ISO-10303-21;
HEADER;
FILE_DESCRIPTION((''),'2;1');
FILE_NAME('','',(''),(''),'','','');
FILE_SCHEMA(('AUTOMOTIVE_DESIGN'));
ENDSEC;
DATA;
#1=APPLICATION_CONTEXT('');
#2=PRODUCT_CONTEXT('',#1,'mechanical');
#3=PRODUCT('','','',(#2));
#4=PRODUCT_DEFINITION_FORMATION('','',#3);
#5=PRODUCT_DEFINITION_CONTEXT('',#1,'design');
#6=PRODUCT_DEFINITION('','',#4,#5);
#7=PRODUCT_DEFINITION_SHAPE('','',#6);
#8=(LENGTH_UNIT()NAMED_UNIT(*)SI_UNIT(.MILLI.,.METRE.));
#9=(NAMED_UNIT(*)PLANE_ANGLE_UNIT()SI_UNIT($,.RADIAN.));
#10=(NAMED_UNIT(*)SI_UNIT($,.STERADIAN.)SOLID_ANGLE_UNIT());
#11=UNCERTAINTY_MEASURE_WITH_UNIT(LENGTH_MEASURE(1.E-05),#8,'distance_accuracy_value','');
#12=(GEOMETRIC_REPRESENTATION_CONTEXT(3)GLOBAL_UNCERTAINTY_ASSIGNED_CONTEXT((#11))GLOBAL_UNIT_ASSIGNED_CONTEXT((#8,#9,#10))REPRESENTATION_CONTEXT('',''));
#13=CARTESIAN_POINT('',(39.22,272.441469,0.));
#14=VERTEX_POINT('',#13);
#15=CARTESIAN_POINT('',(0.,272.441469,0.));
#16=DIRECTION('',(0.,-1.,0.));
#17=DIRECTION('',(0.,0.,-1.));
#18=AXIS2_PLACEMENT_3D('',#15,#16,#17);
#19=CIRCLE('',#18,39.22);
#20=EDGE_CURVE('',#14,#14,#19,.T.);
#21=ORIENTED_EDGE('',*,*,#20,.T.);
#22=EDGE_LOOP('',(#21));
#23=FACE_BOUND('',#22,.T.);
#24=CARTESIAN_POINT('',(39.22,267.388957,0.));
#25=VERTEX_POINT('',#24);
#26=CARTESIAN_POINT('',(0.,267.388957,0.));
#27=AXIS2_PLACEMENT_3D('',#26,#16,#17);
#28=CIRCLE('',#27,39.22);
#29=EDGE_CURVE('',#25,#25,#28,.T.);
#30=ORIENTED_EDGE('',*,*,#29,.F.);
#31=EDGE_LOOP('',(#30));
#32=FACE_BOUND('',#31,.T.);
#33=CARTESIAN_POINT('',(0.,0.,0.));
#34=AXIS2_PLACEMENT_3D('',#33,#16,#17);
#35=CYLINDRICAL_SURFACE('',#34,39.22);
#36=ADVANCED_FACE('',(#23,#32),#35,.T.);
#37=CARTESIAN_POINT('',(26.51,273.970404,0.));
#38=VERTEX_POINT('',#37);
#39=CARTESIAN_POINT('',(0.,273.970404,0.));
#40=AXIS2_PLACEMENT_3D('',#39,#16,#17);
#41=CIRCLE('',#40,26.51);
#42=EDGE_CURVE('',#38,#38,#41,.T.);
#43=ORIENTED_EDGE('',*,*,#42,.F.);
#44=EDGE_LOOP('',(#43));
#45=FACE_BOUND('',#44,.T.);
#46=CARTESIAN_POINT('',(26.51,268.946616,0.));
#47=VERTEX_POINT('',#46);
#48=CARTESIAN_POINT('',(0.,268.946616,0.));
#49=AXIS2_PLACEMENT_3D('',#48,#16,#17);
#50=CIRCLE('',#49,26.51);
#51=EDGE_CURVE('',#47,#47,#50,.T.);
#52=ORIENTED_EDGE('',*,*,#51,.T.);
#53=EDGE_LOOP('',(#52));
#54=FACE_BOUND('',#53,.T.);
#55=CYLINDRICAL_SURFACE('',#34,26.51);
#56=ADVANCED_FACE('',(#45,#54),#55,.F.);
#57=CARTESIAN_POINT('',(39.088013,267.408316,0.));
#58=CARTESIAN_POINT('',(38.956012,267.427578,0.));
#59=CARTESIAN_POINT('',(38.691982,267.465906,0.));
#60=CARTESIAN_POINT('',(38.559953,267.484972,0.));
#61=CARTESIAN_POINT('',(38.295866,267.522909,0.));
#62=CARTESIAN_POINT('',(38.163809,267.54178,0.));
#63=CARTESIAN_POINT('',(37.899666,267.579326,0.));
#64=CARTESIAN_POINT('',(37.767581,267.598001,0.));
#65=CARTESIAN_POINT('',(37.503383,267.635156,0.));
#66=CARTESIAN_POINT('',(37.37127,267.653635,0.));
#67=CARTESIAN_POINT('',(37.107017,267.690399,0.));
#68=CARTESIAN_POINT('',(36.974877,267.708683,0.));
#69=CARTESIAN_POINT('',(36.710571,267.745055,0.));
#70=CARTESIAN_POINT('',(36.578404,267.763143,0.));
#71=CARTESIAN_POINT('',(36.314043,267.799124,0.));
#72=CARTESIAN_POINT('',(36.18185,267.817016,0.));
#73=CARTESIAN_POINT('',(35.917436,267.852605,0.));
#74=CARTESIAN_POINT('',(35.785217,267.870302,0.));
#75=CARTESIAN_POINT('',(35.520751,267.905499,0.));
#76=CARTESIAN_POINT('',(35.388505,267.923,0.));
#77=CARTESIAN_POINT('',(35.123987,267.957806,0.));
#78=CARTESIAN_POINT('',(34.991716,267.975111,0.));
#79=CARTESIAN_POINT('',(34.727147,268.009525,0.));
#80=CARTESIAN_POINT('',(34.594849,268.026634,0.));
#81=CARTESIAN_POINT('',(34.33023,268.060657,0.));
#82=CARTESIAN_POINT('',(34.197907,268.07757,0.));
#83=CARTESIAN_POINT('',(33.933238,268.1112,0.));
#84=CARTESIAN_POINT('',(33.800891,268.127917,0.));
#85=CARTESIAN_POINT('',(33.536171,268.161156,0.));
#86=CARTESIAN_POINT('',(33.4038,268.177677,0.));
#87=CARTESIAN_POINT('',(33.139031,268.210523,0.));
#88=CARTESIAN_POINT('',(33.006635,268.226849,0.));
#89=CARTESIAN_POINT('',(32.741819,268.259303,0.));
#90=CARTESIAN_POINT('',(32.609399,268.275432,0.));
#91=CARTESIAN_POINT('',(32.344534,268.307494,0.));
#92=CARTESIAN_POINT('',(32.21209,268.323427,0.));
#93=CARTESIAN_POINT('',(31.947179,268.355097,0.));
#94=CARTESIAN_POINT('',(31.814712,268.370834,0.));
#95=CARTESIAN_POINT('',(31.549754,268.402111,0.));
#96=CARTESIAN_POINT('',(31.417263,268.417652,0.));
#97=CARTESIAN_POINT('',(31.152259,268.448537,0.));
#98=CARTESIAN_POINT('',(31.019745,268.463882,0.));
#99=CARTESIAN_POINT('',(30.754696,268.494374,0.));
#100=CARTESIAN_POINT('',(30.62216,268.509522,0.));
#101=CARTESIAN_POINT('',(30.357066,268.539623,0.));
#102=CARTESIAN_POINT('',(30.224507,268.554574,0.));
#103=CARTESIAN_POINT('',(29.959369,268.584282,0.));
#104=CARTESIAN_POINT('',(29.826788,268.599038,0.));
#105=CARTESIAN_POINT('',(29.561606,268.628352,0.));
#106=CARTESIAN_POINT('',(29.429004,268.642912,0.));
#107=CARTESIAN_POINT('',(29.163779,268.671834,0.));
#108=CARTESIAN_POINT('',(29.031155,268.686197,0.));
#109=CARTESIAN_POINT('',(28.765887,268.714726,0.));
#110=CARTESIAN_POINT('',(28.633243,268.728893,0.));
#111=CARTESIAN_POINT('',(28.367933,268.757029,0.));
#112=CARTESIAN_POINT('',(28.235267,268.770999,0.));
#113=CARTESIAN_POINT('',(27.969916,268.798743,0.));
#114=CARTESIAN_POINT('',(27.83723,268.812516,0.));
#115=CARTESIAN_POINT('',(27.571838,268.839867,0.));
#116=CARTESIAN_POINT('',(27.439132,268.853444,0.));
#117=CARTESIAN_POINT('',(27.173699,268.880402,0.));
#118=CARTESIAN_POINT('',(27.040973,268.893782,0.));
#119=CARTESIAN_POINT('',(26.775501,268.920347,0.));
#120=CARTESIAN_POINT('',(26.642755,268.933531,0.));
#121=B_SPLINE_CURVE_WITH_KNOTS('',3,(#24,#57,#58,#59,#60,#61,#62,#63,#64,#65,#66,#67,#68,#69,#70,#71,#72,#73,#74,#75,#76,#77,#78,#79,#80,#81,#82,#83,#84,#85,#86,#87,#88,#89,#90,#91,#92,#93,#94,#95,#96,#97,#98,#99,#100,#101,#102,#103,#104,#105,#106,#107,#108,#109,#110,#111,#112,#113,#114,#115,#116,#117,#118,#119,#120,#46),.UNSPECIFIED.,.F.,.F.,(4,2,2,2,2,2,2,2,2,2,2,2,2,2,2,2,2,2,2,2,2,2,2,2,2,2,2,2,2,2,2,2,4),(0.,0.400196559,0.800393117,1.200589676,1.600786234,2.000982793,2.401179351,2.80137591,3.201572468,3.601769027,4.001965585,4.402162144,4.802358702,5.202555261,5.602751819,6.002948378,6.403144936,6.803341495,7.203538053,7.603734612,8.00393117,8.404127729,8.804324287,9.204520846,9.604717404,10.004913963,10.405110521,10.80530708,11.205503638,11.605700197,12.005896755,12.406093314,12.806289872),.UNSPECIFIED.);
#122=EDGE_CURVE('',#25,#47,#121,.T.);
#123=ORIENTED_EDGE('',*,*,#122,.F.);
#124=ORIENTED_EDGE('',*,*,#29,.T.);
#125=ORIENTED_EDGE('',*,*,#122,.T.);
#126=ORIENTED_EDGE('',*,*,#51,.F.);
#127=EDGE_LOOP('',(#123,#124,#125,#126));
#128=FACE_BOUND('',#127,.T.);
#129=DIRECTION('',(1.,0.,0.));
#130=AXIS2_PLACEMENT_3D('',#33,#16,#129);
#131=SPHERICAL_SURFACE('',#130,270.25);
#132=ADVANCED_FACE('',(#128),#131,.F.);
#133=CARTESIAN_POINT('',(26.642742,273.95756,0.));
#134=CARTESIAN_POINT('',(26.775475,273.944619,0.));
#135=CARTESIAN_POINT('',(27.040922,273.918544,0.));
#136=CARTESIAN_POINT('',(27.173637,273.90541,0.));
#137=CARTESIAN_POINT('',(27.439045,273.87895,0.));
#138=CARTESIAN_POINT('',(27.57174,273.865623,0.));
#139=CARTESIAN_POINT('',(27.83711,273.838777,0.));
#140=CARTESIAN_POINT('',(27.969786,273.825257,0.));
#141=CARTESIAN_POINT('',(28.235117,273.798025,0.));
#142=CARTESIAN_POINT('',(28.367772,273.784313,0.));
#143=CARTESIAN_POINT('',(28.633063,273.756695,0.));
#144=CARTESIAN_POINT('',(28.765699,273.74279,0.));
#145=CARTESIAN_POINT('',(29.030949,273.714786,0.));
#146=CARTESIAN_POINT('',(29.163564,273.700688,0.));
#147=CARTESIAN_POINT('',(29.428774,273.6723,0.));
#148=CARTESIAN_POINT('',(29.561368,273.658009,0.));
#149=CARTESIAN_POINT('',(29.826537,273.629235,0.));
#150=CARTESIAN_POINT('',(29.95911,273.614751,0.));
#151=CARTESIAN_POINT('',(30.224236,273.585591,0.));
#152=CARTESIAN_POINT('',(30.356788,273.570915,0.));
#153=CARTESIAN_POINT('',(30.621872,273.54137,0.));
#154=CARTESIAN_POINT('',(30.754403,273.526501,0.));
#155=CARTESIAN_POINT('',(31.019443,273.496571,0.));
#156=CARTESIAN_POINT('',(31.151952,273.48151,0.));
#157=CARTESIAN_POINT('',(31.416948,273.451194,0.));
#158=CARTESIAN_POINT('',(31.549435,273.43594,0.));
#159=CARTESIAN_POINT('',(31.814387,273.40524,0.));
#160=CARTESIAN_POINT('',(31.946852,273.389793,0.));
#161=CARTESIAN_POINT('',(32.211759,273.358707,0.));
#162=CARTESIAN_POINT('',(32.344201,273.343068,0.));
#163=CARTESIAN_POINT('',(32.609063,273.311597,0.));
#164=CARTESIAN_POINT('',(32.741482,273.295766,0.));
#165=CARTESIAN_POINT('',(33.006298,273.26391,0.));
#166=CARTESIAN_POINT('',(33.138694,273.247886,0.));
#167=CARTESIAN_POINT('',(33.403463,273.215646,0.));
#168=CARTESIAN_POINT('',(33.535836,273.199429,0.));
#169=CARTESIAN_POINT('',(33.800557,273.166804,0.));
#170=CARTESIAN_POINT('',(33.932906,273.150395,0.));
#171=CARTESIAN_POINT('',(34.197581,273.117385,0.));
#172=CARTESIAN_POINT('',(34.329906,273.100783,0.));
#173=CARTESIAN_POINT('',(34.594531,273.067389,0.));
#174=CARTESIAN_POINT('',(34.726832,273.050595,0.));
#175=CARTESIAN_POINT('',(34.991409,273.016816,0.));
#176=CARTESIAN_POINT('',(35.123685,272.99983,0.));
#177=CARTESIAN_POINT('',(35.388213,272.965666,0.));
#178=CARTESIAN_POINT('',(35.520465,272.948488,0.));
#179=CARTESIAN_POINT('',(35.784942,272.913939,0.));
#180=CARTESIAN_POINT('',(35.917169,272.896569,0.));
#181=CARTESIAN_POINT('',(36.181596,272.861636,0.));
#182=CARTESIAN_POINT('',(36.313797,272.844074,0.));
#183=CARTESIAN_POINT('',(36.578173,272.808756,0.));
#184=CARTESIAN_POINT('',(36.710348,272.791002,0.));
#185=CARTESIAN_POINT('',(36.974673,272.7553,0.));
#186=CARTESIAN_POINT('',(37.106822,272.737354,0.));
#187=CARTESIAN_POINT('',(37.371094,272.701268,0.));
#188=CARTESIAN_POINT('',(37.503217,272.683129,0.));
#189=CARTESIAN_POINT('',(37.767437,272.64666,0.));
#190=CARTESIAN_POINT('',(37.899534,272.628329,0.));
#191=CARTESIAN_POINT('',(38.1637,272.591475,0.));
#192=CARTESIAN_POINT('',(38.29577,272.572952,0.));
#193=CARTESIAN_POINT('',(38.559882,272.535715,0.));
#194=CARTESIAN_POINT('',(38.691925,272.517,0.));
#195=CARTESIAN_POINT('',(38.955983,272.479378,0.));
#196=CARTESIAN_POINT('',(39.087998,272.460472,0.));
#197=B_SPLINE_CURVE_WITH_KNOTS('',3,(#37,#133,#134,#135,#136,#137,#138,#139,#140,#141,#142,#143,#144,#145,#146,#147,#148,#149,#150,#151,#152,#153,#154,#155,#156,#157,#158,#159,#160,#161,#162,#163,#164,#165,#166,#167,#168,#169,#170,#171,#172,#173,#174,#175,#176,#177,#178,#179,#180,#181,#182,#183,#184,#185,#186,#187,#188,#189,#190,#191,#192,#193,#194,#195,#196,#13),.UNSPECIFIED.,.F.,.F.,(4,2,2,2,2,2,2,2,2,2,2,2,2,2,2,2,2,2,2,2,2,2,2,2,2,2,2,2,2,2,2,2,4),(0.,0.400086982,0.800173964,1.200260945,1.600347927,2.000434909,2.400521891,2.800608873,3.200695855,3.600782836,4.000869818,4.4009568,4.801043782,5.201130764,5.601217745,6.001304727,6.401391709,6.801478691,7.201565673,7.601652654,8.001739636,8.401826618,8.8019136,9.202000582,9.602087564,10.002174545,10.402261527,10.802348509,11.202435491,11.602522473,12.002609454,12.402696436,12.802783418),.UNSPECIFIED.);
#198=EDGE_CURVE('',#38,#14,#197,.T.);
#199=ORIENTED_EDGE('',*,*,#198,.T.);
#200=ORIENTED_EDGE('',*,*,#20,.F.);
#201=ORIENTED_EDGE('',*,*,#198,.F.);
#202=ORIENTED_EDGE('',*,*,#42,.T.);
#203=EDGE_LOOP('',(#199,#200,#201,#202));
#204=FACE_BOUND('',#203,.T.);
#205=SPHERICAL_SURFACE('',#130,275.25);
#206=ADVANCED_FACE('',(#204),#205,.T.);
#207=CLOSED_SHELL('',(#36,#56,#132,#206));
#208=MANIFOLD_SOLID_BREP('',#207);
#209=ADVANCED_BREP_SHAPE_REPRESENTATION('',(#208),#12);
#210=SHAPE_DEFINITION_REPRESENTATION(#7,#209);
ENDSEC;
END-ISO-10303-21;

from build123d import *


with BuildPart() as part:
    # Sketch1 → Revolve1 (revolve)
    with BuildSketch(Plane.XY):
        with BuildLine():
            Line((26.51, 273.970404241), (26.51, 268.946616264))
            ThreePointArc((26.51, 268.946616264), (32.874227001, 268.243075771), (39.22, 267.388956578))
            Line((39.22, 267.388956578), (39.22, 272.441469127))
            ThreePointArc((39.22, 272.441469127), (32.873889877, 273.279838013), (26.51, 273.970404241))
        make_face()
    revolve(axis=Axis((0, 0, 0), (0, 1, 0)))


solid = part.part
